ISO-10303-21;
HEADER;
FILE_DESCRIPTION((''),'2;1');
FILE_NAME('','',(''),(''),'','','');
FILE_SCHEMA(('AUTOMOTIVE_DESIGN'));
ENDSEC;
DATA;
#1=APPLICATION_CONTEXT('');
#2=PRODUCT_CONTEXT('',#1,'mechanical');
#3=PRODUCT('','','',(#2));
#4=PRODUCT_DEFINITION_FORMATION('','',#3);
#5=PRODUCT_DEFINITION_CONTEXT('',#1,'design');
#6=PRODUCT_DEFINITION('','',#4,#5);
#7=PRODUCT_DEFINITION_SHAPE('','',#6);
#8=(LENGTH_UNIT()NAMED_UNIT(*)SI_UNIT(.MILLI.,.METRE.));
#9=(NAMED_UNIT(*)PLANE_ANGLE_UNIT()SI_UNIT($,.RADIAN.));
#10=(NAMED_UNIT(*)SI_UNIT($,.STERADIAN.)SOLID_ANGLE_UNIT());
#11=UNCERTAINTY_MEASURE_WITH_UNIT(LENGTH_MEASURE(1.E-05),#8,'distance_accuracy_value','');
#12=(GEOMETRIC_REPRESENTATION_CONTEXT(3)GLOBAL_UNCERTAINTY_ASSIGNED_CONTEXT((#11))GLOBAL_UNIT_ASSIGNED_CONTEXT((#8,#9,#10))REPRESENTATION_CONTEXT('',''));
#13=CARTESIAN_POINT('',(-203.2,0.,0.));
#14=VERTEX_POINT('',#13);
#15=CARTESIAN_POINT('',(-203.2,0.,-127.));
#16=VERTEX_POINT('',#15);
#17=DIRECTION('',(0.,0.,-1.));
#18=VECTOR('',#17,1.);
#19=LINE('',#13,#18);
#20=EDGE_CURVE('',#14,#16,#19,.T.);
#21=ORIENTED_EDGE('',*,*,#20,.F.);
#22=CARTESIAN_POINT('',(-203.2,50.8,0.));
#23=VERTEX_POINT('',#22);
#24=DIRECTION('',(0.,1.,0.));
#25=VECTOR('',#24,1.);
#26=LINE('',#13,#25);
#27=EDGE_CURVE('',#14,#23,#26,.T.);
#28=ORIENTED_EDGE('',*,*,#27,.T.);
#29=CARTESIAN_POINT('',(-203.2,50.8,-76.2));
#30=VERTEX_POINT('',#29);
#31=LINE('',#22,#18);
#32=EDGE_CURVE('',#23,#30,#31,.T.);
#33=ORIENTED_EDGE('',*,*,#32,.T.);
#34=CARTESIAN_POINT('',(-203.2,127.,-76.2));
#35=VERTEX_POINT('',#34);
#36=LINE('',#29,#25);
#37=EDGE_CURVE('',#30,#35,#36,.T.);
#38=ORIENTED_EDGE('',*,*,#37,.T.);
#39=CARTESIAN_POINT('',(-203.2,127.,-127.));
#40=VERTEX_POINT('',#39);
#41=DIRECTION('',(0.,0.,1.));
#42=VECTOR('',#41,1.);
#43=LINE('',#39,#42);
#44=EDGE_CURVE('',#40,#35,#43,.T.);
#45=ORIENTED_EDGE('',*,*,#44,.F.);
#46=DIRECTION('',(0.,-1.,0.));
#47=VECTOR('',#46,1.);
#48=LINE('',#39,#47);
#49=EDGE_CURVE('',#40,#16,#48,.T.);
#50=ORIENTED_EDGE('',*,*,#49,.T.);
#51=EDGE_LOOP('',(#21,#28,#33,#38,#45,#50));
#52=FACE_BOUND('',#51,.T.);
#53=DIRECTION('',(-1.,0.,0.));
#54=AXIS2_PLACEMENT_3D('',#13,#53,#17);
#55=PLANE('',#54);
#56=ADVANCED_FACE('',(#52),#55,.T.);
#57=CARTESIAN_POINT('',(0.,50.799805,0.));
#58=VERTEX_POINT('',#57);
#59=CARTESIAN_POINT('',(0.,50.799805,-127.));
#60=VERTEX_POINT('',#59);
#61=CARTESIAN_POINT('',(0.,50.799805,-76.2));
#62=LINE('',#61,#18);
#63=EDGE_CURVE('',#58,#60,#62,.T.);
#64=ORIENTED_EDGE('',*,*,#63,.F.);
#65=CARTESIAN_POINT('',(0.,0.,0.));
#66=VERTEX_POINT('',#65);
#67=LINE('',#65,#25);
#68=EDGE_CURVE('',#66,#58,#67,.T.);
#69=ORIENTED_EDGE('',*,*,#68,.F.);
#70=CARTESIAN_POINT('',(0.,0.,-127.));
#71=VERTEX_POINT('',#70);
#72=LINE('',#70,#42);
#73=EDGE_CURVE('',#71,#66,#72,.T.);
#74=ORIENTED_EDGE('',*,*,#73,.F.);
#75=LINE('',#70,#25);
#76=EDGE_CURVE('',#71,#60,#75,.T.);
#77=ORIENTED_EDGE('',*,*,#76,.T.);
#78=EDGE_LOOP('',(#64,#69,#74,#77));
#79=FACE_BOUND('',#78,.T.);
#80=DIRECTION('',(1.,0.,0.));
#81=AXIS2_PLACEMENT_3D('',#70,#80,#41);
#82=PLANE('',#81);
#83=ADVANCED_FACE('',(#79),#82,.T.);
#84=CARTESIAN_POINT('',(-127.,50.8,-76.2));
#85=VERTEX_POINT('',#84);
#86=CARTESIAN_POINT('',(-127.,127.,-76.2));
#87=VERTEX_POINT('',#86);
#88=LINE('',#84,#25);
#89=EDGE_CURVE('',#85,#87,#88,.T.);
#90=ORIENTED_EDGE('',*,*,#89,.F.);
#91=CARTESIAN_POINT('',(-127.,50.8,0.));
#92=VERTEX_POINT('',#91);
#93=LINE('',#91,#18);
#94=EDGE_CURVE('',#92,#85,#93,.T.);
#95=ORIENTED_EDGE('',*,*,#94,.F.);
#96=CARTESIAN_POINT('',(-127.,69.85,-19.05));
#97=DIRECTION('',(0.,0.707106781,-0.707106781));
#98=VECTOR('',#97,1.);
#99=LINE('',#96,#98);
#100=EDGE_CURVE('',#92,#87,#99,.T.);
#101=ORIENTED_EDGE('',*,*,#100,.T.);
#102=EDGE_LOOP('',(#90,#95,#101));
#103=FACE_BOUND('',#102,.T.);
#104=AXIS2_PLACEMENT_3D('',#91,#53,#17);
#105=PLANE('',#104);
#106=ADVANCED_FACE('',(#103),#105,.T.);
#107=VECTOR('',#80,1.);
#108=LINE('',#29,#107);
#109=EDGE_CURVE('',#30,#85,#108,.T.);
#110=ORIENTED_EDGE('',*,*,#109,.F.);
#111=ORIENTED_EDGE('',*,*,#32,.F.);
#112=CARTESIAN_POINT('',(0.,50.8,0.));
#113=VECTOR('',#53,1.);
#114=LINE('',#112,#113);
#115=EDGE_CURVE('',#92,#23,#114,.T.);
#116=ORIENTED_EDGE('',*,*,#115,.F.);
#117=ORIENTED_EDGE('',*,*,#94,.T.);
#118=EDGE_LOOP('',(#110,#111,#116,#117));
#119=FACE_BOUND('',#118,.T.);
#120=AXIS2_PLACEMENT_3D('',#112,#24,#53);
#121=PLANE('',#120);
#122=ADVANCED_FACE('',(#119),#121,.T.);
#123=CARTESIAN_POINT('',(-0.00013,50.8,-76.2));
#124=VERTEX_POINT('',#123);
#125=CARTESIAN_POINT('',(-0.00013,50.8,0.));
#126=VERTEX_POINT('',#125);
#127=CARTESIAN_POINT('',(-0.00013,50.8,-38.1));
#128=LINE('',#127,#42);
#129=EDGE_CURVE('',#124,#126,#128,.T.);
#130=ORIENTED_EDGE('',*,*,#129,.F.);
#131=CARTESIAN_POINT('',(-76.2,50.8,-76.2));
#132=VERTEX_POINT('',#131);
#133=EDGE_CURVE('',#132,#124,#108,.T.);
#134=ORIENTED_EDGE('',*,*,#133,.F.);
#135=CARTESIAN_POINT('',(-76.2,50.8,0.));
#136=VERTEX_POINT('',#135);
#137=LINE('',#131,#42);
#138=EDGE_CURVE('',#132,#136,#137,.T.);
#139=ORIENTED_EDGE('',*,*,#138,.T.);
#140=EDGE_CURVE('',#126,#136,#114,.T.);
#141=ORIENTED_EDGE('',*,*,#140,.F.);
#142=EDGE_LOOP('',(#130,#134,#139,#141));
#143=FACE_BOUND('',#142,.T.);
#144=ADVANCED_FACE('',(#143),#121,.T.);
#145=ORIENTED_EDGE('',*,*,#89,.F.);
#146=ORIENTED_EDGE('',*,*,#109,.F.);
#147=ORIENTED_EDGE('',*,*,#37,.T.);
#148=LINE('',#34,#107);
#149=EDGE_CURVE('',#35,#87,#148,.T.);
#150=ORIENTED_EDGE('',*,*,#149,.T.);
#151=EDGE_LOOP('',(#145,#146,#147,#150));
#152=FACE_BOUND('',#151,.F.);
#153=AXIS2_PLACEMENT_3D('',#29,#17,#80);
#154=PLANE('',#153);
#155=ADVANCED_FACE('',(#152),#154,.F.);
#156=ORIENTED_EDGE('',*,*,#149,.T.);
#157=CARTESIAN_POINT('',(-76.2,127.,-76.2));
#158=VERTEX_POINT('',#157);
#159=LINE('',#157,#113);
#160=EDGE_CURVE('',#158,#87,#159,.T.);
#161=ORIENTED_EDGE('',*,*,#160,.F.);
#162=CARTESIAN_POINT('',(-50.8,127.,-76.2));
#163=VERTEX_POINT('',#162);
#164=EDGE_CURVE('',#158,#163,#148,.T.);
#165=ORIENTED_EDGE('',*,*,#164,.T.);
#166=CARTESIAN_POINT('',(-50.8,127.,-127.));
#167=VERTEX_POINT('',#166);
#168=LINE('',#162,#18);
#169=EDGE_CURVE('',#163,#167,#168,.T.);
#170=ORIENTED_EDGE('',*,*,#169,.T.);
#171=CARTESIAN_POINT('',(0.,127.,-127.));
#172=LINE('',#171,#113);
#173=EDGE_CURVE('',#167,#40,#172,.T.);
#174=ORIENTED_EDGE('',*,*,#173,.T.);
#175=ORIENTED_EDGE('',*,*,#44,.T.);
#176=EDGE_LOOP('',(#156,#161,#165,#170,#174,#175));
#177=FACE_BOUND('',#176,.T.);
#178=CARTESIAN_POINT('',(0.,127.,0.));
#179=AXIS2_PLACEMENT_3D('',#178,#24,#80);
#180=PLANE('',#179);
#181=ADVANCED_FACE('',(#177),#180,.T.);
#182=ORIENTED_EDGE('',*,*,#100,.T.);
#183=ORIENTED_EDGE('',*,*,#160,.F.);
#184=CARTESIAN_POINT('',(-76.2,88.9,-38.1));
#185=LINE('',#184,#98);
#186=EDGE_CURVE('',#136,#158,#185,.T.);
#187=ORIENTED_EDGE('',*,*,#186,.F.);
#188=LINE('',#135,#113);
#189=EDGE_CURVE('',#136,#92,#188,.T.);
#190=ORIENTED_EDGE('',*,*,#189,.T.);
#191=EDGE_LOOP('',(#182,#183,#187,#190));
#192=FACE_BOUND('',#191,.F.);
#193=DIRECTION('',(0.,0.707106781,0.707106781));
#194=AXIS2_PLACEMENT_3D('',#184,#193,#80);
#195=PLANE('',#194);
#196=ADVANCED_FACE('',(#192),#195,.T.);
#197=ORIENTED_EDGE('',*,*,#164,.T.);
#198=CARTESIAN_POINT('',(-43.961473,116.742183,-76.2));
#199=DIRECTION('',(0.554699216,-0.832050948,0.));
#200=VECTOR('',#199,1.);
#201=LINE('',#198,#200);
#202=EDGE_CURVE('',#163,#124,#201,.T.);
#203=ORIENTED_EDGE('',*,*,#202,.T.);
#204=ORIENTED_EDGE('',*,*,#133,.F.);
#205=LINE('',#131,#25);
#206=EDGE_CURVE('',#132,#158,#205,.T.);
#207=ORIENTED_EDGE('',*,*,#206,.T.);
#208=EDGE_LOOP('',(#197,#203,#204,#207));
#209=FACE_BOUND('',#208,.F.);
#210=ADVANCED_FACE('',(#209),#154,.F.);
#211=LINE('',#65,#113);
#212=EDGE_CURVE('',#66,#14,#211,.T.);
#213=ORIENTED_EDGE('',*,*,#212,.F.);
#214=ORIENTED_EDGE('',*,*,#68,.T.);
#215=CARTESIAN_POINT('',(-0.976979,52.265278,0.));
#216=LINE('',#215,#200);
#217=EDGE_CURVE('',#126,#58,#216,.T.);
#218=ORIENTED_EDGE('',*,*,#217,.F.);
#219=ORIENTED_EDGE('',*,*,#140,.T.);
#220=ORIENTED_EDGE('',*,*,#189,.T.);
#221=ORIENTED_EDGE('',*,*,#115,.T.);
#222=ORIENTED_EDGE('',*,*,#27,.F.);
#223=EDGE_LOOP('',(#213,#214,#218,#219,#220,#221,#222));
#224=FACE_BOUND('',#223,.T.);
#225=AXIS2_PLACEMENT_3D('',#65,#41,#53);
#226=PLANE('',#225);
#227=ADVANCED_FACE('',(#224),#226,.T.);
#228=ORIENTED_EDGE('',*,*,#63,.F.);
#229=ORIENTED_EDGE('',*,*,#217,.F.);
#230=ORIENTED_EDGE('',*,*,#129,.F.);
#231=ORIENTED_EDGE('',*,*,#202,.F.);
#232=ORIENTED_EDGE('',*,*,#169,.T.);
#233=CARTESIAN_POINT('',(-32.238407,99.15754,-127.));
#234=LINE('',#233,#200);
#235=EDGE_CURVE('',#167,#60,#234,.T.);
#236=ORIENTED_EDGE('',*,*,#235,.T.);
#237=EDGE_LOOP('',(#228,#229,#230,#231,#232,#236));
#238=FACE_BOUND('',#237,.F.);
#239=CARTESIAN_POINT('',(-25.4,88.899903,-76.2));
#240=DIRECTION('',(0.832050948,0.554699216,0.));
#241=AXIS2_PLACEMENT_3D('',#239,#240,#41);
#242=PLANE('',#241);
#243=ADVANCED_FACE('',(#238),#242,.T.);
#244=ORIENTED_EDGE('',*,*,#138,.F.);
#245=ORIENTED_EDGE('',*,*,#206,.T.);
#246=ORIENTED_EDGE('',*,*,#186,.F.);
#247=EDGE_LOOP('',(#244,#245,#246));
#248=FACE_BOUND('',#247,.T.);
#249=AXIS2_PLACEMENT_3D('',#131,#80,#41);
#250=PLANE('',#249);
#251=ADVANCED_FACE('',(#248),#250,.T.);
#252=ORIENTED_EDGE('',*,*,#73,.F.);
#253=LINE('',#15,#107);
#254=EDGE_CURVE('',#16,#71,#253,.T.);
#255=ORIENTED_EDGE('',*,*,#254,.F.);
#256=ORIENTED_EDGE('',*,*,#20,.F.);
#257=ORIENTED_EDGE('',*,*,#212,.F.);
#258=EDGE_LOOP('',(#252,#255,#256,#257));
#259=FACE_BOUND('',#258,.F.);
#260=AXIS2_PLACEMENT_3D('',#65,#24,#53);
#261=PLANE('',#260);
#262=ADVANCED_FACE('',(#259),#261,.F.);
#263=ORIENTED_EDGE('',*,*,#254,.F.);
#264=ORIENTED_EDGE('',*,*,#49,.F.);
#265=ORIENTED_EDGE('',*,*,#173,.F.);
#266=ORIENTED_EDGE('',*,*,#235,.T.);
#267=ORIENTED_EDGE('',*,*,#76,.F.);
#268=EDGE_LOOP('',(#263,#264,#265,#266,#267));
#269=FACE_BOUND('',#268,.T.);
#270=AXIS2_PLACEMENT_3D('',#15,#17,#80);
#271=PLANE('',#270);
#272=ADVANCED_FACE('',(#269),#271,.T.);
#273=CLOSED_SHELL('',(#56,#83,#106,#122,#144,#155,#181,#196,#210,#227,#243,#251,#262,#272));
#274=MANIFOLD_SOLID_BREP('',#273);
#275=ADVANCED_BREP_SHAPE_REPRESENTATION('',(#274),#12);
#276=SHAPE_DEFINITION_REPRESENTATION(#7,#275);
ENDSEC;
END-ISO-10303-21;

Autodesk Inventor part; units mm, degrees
ref_plane "YZ Plane" through (0, 0, 0) normal (1, 0, 0) x (0, 1, 0)
ref_plane "XZ Plane" through (0, 0, 0) normal (0, 1, 0) x (-1, 0, 0)
ref_plane "XY Plane" through (0, 0, 0) normal (0, 0, 1) x (1, 0, 0)
sketch "Sketch1" plane through (0, 0, 0) normal (0, 1, 0) x (-1, 0, 0)
  line L0 (0, 0) -> (203.2, 0)
  line L1 (203.2, 0) -> (203.2, -127)
  line L2 (203.2, -127) -> (0, -127)
  line L3 (0, -127) -> (0, 0)
  dimension "d0" = 203.2
  dimension "d1" = 127
extrude "Extrusion1" add sketch "Sketch1" along normal blind 50.8
sketch "Sketch2" plane through (0, 50.8, 0) normal (0, 1, 0) x (1, 0, 0)
  line L0 (-203.2, 127) -> (-203.2, 0) projected
  line L1 (-203.2, 76.2) -> (0, 76.2)
  line L2 (0, 76.2) -> (0, 127)
  line L3 (0, 127) -> (-203.2, 127)
  line L4 (-203.2, 127) -> (-203.2, 76.2)
  point P0 (0, 0)
  dimension "d4" = 50.8
  dimension "d13" = 203.2
extrude "Extrusion2" add sketch "Sketch2" along normal blind 76.2
chamfer "Chamfer1" distance 50.8 angle 56.31 1 edges at (0, 127, -101.6) measured on face at (-67.7333, 127, -110.0667)
sketch "Sketch3" plane through (0, 50.8, 0) normal (0, 1, 0) x (1, 0, 0)
  line L0 (0, 76.2) -> (-203.2, 76.2) projected
  line L1 (-127, 76.2) -> (-76.2, 76.2)
  line L2 (-76.2, 76.2) -> (-76.2, 0)
  line L3 (-76.2, 0) -> (-127, 0)
  line L4 (-127, 0) -> (-127, 76.2)
  line L5 (-203.2, 76.2) -> (-203.2, 0) projected
  point P0 (0, 0)
  dimension "d10" = 50.8
  dimension "d11" = 76.2
  dimension "d12" = 76.2
extrude "Extrusion3" add sketch "Sketch3" along normal blind 76.2
chamfer "Chamfer2" distance 76.2 angle 45 1 edges at (-101.6, 127, 0)
sketch "Sketch4" plane through (-0.0002, 50.7998, -127) normal (0.8321, 0.5547, 0) x (-0.5547, 0.8321, 0)
  point P0 (-42.2682, 127)
sketch "Sketch5" plane through (0, 127, 0) normal (0, 1, 0) x (1, 0, 0)
  point P0 (0, 0)
sketch "Sketch6" plane through (-50.8, 127, -127) normal (0.8321, 0.5547, 0) x (-0.5547, 0.8321, 0)
  point P0 (-133.8492, 127)
